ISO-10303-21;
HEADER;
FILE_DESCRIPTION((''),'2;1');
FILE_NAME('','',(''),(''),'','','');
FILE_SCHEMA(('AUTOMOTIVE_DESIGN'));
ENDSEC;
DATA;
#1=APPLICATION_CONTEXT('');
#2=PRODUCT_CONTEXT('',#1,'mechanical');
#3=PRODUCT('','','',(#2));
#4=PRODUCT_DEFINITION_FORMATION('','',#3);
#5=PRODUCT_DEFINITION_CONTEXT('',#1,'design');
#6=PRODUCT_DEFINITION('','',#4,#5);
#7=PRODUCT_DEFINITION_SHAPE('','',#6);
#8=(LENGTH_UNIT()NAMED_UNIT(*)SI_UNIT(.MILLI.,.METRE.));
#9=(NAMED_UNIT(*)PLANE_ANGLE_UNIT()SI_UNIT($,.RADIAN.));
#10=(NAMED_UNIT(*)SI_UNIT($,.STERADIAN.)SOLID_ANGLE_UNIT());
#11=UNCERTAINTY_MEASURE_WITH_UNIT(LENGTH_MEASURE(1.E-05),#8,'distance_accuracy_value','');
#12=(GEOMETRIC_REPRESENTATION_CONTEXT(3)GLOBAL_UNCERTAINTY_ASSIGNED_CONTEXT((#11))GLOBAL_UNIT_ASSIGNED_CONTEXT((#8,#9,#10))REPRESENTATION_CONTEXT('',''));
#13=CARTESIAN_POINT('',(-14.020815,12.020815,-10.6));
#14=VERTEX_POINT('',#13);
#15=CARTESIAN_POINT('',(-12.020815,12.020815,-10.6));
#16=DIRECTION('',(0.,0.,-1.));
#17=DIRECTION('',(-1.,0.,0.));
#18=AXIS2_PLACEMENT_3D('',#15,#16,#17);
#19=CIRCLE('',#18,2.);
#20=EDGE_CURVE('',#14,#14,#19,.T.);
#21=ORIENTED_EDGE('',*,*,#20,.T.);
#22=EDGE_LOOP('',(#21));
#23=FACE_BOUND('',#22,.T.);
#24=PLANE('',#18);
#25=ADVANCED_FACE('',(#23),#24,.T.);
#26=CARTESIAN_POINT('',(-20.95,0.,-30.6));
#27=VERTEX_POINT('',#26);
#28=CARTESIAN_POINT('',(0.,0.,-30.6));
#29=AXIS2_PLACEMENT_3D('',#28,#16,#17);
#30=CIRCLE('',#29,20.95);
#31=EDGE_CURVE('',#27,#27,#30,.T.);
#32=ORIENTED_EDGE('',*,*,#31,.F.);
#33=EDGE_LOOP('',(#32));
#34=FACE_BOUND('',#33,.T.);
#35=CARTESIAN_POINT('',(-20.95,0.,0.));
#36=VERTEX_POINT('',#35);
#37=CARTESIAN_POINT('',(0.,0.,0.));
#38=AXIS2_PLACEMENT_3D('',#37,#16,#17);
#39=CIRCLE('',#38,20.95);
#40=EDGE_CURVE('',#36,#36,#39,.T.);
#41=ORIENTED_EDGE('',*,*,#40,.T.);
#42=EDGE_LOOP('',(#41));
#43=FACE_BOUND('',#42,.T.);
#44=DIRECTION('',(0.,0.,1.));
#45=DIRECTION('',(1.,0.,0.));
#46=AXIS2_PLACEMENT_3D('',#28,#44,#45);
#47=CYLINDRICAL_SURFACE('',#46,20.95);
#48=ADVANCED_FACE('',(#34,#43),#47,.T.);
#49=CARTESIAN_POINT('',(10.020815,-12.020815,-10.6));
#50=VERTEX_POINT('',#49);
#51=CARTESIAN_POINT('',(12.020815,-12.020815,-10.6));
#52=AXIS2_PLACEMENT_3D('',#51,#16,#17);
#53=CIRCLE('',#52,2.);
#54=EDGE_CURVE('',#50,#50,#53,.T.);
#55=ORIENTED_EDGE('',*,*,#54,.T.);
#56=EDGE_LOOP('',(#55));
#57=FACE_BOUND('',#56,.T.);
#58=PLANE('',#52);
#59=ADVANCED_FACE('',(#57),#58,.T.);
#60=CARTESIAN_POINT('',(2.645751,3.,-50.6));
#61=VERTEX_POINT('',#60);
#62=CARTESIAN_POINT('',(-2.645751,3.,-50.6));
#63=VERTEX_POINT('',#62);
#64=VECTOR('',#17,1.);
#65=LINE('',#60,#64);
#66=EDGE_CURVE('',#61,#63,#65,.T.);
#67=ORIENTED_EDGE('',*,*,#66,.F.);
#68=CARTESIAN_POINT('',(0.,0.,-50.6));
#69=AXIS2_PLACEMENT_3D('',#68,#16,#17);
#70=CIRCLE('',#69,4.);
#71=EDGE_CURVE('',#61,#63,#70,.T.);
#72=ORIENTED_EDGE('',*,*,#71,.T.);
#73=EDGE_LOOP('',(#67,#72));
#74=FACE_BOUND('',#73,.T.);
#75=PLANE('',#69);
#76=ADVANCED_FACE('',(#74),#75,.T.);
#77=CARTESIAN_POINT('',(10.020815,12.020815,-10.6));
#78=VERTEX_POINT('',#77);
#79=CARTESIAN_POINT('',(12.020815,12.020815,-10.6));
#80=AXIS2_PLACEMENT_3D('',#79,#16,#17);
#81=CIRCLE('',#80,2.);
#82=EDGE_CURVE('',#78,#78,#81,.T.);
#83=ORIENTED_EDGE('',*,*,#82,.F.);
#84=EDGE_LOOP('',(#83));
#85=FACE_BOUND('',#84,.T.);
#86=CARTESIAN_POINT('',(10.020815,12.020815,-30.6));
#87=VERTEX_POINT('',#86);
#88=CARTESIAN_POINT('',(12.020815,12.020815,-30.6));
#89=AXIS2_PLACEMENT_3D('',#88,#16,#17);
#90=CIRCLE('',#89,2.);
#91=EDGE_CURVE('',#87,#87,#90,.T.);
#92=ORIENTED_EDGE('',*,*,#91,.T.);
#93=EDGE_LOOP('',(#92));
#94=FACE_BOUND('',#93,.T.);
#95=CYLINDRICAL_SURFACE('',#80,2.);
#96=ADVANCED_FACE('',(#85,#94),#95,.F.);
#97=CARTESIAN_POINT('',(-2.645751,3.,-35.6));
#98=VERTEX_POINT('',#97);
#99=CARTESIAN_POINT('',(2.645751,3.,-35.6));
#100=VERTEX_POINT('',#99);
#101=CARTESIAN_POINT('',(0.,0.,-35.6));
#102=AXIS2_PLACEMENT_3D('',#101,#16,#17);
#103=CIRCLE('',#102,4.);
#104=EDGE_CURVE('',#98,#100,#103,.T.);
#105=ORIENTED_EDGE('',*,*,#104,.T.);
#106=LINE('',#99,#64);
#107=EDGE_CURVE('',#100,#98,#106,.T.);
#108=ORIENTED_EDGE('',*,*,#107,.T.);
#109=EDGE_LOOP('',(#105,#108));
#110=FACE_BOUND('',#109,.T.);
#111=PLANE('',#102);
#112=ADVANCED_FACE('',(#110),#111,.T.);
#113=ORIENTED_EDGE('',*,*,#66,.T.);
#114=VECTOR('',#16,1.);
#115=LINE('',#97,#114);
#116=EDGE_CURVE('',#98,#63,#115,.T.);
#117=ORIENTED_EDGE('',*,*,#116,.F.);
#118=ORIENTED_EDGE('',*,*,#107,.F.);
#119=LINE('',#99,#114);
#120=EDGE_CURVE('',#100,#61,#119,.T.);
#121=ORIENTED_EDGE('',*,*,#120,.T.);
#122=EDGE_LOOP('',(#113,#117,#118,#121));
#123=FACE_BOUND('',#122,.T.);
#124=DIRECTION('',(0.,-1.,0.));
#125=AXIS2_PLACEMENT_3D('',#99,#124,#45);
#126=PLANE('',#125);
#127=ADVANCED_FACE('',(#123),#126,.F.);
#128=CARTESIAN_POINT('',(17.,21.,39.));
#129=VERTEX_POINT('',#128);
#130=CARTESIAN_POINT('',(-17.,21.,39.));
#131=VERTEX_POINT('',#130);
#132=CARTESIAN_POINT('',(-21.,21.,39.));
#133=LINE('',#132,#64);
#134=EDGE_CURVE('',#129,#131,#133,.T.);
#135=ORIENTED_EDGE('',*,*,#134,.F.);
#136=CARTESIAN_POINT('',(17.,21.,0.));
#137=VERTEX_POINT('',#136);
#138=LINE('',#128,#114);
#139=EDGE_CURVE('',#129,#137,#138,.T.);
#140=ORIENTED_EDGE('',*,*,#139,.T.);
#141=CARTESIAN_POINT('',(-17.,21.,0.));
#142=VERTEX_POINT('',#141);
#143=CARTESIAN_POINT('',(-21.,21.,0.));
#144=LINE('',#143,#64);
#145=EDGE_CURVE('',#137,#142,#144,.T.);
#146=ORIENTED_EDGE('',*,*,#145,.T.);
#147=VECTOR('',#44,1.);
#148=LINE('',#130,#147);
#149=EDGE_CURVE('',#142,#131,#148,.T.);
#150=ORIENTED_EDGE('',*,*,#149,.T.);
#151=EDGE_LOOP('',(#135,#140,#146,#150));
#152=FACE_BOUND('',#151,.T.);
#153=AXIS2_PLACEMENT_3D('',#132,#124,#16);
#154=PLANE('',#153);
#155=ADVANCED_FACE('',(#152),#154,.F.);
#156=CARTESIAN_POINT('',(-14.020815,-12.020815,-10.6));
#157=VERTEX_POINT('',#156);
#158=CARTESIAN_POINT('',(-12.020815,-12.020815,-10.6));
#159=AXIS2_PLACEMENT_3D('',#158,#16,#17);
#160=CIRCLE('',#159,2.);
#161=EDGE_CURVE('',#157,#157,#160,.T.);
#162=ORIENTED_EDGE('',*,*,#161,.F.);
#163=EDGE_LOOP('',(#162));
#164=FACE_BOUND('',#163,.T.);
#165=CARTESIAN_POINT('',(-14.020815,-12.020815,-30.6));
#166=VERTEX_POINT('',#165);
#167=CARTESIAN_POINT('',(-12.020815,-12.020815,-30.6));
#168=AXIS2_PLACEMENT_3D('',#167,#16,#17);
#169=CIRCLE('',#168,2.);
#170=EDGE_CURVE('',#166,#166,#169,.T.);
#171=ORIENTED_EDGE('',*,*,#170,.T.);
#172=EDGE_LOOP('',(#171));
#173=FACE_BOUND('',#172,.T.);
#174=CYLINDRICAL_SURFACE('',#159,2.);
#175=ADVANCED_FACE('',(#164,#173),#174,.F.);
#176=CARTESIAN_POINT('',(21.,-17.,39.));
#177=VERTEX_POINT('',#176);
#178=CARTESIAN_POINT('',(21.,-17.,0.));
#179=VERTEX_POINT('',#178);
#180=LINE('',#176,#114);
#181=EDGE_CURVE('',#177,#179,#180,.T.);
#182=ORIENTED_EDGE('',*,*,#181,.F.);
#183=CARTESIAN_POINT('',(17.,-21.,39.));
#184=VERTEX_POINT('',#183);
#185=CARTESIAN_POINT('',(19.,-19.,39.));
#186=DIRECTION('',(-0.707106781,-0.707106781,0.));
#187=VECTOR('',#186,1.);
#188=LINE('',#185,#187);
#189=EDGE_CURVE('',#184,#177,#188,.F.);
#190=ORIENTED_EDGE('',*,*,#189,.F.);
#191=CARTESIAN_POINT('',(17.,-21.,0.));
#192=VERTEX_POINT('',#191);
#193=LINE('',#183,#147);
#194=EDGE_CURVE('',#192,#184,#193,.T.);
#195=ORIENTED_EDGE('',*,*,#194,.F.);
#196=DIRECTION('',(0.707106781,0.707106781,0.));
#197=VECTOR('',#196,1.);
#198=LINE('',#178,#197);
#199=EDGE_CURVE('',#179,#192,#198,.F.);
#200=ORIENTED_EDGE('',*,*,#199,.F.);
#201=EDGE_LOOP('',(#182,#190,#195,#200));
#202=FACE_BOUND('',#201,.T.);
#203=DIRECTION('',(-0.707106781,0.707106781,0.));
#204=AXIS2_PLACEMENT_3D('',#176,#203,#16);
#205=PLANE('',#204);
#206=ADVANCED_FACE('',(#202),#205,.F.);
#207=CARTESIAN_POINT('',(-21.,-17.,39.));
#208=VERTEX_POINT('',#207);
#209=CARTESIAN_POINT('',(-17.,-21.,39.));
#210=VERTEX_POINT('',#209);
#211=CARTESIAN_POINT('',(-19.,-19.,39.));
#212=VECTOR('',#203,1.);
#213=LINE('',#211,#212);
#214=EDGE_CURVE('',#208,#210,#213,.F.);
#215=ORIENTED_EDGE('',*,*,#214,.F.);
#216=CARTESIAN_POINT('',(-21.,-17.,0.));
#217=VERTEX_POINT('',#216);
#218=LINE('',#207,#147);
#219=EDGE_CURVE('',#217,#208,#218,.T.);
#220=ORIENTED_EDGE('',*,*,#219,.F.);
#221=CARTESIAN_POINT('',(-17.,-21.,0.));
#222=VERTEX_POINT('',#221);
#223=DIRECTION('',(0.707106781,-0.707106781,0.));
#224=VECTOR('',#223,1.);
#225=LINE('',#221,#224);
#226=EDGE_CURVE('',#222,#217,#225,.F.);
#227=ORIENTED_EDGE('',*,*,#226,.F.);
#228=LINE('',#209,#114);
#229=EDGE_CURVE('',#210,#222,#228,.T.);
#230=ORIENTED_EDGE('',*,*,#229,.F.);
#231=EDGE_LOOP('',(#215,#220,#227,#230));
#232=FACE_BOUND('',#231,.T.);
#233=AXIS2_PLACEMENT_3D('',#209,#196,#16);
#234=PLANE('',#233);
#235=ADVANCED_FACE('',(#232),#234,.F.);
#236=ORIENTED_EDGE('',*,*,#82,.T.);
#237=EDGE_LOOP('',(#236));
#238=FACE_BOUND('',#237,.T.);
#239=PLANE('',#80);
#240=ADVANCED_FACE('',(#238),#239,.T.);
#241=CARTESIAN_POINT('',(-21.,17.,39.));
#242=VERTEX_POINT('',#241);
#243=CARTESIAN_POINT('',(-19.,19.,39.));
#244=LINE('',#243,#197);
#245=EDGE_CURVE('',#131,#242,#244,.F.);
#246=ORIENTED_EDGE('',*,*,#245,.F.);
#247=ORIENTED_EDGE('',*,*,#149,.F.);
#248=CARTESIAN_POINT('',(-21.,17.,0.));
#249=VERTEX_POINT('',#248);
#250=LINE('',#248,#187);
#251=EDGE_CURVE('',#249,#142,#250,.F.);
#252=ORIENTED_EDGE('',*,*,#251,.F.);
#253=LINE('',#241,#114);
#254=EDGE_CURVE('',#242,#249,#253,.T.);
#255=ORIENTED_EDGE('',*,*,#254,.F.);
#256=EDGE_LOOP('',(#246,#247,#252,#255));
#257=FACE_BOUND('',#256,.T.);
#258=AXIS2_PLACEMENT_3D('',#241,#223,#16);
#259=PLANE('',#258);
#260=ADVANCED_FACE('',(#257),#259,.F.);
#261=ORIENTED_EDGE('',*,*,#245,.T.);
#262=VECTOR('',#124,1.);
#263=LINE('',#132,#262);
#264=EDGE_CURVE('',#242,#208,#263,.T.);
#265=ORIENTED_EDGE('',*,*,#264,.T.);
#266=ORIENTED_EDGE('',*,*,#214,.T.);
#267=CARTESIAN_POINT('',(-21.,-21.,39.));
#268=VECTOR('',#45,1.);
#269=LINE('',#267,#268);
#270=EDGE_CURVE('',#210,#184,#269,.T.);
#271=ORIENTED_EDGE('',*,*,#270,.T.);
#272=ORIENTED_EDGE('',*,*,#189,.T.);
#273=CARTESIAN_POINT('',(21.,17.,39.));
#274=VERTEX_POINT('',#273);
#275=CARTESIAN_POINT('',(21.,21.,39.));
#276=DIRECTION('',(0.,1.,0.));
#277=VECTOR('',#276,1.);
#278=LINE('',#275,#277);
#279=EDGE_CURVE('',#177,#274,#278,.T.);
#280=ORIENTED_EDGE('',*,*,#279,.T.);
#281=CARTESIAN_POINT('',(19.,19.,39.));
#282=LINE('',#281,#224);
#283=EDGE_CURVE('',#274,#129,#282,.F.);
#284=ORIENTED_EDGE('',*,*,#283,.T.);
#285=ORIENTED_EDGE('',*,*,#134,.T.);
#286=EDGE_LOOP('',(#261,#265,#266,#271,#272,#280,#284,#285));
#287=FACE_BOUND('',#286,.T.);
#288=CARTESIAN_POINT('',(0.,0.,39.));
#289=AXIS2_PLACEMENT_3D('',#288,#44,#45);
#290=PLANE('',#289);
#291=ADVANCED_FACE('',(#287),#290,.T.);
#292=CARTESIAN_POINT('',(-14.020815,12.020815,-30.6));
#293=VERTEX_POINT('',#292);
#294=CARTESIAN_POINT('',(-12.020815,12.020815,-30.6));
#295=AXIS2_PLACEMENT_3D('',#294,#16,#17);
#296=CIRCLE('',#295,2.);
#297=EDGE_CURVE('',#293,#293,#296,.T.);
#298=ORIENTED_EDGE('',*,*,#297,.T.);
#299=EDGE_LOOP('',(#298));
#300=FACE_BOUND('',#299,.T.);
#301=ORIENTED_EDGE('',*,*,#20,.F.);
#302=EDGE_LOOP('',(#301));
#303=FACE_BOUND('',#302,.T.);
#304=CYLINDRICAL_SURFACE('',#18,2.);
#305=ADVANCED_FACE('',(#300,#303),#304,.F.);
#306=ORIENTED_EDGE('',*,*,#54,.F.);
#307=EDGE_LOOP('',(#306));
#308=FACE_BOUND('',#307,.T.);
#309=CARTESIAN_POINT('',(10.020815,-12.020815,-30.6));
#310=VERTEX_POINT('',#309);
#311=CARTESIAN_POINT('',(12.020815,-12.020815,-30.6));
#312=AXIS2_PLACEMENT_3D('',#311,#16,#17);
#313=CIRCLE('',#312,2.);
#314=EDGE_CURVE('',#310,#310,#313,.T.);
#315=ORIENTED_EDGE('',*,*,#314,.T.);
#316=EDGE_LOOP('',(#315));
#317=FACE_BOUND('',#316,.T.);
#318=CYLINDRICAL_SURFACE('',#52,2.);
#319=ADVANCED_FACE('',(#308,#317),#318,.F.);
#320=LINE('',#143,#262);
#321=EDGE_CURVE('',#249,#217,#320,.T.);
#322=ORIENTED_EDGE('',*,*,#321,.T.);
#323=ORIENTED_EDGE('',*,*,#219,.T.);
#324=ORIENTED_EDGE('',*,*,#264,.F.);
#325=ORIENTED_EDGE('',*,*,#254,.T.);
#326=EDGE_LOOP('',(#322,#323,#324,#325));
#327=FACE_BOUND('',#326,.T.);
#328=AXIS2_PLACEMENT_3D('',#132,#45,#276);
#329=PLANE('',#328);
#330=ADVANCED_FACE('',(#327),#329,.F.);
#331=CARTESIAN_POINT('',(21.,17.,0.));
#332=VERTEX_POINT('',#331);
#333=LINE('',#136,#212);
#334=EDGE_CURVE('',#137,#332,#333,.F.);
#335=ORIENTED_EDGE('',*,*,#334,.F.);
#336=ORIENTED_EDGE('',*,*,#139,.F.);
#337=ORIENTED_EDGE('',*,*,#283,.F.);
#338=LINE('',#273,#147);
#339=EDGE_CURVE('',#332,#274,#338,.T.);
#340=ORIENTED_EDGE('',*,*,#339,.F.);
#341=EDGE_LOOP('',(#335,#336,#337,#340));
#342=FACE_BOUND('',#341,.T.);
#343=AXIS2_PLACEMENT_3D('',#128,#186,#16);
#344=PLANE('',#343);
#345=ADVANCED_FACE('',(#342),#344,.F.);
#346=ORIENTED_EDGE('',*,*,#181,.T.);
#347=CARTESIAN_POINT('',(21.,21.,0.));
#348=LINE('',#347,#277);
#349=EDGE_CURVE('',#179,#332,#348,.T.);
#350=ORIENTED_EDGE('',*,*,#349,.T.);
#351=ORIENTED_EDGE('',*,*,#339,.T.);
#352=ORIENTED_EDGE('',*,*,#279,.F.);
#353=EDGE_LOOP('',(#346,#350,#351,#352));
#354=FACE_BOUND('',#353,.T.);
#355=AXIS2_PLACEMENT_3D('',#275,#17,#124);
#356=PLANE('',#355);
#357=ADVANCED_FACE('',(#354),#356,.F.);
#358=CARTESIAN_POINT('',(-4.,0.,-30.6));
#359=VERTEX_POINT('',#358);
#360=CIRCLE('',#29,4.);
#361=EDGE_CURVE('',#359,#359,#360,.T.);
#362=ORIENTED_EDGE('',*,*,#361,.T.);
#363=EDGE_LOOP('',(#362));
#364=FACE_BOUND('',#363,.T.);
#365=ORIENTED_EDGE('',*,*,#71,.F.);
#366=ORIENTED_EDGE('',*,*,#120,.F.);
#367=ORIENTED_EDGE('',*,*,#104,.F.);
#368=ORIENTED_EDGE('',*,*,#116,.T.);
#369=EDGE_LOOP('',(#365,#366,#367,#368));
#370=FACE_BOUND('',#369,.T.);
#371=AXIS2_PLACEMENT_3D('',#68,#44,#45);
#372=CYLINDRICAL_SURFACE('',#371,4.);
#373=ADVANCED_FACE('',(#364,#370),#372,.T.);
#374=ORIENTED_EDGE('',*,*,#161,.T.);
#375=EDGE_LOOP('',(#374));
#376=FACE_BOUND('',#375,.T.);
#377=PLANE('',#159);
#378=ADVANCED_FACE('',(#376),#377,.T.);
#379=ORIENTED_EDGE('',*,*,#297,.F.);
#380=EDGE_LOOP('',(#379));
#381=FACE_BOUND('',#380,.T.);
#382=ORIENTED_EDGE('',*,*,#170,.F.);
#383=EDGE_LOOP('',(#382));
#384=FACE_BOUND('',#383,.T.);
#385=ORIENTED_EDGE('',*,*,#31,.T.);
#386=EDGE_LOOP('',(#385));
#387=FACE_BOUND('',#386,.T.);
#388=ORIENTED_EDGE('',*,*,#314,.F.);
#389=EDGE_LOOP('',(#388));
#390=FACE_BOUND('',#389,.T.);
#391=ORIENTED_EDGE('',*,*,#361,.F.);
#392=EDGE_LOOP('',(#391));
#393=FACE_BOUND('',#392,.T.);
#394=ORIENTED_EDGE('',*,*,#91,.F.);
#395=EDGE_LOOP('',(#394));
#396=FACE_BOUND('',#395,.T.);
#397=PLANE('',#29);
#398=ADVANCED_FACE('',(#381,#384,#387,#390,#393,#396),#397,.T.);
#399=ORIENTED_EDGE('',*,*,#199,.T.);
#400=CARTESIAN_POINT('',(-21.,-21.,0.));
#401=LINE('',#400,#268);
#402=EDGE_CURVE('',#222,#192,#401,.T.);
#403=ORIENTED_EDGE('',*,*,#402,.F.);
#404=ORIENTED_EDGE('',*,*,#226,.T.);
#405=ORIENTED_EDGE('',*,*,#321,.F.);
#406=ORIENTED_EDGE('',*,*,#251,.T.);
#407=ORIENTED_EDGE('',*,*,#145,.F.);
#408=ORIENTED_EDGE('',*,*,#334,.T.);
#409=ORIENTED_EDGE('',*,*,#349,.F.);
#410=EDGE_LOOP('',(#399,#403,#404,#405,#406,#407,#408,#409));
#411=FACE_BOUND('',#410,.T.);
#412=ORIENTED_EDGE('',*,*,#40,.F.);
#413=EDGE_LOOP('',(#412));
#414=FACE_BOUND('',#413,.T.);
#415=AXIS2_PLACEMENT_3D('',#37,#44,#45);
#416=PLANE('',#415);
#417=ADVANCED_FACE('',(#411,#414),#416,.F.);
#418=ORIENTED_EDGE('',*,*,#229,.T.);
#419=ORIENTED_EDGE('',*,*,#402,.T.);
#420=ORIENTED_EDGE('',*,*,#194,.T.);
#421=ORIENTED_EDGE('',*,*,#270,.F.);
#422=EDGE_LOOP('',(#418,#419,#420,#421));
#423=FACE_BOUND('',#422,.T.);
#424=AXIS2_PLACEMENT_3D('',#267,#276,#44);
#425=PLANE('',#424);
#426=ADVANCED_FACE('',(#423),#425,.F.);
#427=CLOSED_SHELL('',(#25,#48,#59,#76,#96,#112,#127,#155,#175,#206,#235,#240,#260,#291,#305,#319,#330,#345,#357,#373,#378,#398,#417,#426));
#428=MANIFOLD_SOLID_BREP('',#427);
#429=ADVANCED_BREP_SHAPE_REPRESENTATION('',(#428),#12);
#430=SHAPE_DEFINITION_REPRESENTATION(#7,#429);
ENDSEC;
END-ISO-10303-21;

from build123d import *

# Parameters (mm, degrees)
SKETCH1_W           = 42
SKETCH1_H           = 42
BOSS_EXTRUDE1_DEPTH = 39
CHAMFER1_SIZE       = 4
SKETCH2_R           = 20.95
BOSS_EXTRUDE2_DEPTH = 30.6
SKETCH3_R           = 4
BOSS_EXTRUDE3_DEPTH = 20
CUT_EXTRUDE1_START  = -15
CUT_EXTRUDE1_DEPTH  = 15
SKETCH5_R           = 2
CUT_EXTRUDE2_DEPTH  = 20


with BuildPart() as part:
    # Sketch1 → Boss-Extrude1 (new body)
    with BuildSketch(Plane.XY):
        Rectangle(SKETCH1_W, SKETCH1_H)
    extrude(amount=BOSS_EXTRUDE1_DEPTH)

    # Chamfer1
    chamfer1_edges = [part.edges().sort_by_distance(p)[0] for p in [
        (21, -21, 19.5),
        (-21, -21, 19.5),
        (-21, 21, 19.5),
        (21, 21, 19.5),
    ]]
    chamfer(chamfer1_edges, length=CHAMFER1_SIZE)

    # Sketch2 → Boss-Extrude2 (add)
    with BuildSketch(Plane(origin=(0, 0, 0), x_dir=(-1, 0, 0), z_dir=(0, 0, -1))):
        Circle(SKETCH2_R)
    extrude(amount=BOSS_EXTRUDE2_DEPTH)

    # Sketch3 → Boss-Extrude3 (add)
    with BuildSketch(Plane(origin=(0, 0, -30.6), x_dir=(-1, 0, 0), z_dir=(0, 0, -1))):
        Circle(SKETCH3_R)
    extrude(amount=BOSS_EXTRUDE3_DEPTH)

    # Sketch4 → Cut-Extrude1 (cut)
    with BuildSketch(Plane(origin=(0, 0, -50.6), x_dir=(-1, 0, 0), z_dir=(0, 0, -1)).offset(CUT_EXTRUDE1_START)):
        with BuildLine():
            Line((-2.645751311, 3), (2.645751311, 3))
            ThreePointArc((2.645751311, 3), (0, 4), (-2.645751311, 3))
        make_face()
    extrude(amount=CUT_EXTRUDE1_DEPTH, mode=Mode.SUBTRACT)

    # Sketch5 → Cut-Extrude2 (cut)
    with BuildSketch(Plane(origin=(0, 0, -30.6), x_dir=(-1, 0, 0), z_dir=(0, 0, -1))):
        with Locations((12.02081528, 12.02081528)):
            Circle(SKETCH5_R)
        with Locations((12.02081528, -12.02081528)):
            Circle(SKETCH5_R)
        with Locations((-12.02081528, -12.02081528)):
            Circle(SKETCH5_R)
        with Locations((-12.02081528, 12.02081528)):
            Circle(SKETCH5_R)
    extrude(amount=-CUT_EXTRUDE2_DEPTH, mode=Mode.SUBTRACT)


solid = part.part
